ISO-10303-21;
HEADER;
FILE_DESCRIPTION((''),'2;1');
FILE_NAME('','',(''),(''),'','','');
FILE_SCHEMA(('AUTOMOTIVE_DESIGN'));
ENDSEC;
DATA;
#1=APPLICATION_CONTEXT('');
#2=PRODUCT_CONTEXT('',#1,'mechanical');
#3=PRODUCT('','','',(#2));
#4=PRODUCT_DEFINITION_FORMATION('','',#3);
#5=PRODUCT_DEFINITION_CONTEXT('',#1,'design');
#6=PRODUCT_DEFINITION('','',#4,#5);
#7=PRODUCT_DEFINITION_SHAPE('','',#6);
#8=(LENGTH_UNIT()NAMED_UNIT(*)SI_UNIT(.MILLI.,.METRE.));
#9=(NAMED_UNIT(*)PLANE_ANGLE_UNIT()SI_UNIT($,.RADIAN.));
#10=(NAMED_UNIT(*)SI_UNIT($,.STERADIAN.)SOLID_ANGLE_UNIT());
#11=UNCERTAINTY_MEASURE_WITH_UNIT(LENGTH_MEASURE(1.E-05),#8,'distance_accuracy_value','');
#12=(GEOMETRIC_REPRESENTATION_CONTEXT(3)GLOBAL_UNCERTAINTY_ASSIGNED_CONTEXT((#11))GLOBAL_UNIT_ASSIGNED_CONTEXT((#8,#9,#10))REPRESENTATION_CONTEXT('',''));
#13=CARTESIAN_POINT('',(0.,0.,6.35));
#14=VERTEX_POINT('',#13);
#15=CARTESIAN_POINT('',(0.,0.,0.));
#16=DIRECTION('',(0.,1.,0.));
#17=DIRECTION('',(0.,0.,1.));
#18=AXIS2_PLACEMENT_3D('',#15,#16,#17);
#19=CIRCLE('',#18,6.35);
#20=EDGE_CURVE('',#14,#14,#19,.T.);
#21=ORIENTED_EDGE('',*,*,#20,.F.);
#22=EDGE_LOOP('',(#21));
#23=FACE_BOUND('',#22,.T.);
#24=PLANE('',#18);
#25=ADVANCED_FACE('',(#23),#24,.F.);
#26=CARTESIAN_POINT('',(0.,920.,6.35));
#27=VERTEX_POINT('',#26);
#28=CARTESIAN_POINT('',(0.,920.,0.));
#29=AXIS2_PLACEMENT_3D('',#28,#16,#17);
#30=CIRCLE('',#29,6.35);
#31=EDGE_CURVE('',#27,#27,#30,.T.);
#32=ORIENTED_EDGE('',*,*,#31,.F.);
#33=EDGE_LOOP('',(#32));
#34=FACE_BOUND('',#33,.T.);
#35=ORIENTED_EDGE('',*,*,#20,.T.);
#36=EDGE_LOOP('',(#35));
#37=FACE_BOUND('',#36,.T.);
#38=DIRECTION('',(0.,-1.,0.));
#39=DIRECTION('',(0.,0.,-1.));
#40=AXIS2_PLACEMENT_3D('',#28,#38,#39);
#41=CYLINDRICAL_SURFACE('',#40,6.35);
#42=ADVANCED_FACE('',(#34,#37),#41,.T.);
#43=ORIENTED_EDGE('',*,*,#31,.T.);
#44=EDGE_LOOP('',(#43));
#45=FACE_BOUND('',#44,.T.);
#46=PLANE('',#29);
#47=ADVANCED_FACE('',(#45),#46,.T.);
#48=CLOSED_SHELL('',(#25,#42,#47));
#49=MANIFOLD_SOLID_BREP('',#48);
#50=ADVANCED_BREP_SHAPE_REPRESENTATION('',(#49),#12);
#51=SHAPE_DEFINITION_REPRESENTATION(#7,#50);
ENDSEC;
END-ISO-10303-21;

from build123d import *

# Parameters (mm, degrees)
CROQUIS1_R = 6.35


with BuildPart() as part:
    # Barrer1: sweep along a path in Croquis2
    with BuildLine(Plane.XY) as barrer1_path:
        Line((0, 0), (0, 920))
    # Croquis1 → Barrer1 (sweep)
    with BuildSketch(Plane(origin=(0, 0, 0), x_dir=(1, 0, 0), z_dir=(0, 1, 0))):
        Circle(CROQUIS1_R)
    sweep(path=barrer1_path.line)


solid = part.part
